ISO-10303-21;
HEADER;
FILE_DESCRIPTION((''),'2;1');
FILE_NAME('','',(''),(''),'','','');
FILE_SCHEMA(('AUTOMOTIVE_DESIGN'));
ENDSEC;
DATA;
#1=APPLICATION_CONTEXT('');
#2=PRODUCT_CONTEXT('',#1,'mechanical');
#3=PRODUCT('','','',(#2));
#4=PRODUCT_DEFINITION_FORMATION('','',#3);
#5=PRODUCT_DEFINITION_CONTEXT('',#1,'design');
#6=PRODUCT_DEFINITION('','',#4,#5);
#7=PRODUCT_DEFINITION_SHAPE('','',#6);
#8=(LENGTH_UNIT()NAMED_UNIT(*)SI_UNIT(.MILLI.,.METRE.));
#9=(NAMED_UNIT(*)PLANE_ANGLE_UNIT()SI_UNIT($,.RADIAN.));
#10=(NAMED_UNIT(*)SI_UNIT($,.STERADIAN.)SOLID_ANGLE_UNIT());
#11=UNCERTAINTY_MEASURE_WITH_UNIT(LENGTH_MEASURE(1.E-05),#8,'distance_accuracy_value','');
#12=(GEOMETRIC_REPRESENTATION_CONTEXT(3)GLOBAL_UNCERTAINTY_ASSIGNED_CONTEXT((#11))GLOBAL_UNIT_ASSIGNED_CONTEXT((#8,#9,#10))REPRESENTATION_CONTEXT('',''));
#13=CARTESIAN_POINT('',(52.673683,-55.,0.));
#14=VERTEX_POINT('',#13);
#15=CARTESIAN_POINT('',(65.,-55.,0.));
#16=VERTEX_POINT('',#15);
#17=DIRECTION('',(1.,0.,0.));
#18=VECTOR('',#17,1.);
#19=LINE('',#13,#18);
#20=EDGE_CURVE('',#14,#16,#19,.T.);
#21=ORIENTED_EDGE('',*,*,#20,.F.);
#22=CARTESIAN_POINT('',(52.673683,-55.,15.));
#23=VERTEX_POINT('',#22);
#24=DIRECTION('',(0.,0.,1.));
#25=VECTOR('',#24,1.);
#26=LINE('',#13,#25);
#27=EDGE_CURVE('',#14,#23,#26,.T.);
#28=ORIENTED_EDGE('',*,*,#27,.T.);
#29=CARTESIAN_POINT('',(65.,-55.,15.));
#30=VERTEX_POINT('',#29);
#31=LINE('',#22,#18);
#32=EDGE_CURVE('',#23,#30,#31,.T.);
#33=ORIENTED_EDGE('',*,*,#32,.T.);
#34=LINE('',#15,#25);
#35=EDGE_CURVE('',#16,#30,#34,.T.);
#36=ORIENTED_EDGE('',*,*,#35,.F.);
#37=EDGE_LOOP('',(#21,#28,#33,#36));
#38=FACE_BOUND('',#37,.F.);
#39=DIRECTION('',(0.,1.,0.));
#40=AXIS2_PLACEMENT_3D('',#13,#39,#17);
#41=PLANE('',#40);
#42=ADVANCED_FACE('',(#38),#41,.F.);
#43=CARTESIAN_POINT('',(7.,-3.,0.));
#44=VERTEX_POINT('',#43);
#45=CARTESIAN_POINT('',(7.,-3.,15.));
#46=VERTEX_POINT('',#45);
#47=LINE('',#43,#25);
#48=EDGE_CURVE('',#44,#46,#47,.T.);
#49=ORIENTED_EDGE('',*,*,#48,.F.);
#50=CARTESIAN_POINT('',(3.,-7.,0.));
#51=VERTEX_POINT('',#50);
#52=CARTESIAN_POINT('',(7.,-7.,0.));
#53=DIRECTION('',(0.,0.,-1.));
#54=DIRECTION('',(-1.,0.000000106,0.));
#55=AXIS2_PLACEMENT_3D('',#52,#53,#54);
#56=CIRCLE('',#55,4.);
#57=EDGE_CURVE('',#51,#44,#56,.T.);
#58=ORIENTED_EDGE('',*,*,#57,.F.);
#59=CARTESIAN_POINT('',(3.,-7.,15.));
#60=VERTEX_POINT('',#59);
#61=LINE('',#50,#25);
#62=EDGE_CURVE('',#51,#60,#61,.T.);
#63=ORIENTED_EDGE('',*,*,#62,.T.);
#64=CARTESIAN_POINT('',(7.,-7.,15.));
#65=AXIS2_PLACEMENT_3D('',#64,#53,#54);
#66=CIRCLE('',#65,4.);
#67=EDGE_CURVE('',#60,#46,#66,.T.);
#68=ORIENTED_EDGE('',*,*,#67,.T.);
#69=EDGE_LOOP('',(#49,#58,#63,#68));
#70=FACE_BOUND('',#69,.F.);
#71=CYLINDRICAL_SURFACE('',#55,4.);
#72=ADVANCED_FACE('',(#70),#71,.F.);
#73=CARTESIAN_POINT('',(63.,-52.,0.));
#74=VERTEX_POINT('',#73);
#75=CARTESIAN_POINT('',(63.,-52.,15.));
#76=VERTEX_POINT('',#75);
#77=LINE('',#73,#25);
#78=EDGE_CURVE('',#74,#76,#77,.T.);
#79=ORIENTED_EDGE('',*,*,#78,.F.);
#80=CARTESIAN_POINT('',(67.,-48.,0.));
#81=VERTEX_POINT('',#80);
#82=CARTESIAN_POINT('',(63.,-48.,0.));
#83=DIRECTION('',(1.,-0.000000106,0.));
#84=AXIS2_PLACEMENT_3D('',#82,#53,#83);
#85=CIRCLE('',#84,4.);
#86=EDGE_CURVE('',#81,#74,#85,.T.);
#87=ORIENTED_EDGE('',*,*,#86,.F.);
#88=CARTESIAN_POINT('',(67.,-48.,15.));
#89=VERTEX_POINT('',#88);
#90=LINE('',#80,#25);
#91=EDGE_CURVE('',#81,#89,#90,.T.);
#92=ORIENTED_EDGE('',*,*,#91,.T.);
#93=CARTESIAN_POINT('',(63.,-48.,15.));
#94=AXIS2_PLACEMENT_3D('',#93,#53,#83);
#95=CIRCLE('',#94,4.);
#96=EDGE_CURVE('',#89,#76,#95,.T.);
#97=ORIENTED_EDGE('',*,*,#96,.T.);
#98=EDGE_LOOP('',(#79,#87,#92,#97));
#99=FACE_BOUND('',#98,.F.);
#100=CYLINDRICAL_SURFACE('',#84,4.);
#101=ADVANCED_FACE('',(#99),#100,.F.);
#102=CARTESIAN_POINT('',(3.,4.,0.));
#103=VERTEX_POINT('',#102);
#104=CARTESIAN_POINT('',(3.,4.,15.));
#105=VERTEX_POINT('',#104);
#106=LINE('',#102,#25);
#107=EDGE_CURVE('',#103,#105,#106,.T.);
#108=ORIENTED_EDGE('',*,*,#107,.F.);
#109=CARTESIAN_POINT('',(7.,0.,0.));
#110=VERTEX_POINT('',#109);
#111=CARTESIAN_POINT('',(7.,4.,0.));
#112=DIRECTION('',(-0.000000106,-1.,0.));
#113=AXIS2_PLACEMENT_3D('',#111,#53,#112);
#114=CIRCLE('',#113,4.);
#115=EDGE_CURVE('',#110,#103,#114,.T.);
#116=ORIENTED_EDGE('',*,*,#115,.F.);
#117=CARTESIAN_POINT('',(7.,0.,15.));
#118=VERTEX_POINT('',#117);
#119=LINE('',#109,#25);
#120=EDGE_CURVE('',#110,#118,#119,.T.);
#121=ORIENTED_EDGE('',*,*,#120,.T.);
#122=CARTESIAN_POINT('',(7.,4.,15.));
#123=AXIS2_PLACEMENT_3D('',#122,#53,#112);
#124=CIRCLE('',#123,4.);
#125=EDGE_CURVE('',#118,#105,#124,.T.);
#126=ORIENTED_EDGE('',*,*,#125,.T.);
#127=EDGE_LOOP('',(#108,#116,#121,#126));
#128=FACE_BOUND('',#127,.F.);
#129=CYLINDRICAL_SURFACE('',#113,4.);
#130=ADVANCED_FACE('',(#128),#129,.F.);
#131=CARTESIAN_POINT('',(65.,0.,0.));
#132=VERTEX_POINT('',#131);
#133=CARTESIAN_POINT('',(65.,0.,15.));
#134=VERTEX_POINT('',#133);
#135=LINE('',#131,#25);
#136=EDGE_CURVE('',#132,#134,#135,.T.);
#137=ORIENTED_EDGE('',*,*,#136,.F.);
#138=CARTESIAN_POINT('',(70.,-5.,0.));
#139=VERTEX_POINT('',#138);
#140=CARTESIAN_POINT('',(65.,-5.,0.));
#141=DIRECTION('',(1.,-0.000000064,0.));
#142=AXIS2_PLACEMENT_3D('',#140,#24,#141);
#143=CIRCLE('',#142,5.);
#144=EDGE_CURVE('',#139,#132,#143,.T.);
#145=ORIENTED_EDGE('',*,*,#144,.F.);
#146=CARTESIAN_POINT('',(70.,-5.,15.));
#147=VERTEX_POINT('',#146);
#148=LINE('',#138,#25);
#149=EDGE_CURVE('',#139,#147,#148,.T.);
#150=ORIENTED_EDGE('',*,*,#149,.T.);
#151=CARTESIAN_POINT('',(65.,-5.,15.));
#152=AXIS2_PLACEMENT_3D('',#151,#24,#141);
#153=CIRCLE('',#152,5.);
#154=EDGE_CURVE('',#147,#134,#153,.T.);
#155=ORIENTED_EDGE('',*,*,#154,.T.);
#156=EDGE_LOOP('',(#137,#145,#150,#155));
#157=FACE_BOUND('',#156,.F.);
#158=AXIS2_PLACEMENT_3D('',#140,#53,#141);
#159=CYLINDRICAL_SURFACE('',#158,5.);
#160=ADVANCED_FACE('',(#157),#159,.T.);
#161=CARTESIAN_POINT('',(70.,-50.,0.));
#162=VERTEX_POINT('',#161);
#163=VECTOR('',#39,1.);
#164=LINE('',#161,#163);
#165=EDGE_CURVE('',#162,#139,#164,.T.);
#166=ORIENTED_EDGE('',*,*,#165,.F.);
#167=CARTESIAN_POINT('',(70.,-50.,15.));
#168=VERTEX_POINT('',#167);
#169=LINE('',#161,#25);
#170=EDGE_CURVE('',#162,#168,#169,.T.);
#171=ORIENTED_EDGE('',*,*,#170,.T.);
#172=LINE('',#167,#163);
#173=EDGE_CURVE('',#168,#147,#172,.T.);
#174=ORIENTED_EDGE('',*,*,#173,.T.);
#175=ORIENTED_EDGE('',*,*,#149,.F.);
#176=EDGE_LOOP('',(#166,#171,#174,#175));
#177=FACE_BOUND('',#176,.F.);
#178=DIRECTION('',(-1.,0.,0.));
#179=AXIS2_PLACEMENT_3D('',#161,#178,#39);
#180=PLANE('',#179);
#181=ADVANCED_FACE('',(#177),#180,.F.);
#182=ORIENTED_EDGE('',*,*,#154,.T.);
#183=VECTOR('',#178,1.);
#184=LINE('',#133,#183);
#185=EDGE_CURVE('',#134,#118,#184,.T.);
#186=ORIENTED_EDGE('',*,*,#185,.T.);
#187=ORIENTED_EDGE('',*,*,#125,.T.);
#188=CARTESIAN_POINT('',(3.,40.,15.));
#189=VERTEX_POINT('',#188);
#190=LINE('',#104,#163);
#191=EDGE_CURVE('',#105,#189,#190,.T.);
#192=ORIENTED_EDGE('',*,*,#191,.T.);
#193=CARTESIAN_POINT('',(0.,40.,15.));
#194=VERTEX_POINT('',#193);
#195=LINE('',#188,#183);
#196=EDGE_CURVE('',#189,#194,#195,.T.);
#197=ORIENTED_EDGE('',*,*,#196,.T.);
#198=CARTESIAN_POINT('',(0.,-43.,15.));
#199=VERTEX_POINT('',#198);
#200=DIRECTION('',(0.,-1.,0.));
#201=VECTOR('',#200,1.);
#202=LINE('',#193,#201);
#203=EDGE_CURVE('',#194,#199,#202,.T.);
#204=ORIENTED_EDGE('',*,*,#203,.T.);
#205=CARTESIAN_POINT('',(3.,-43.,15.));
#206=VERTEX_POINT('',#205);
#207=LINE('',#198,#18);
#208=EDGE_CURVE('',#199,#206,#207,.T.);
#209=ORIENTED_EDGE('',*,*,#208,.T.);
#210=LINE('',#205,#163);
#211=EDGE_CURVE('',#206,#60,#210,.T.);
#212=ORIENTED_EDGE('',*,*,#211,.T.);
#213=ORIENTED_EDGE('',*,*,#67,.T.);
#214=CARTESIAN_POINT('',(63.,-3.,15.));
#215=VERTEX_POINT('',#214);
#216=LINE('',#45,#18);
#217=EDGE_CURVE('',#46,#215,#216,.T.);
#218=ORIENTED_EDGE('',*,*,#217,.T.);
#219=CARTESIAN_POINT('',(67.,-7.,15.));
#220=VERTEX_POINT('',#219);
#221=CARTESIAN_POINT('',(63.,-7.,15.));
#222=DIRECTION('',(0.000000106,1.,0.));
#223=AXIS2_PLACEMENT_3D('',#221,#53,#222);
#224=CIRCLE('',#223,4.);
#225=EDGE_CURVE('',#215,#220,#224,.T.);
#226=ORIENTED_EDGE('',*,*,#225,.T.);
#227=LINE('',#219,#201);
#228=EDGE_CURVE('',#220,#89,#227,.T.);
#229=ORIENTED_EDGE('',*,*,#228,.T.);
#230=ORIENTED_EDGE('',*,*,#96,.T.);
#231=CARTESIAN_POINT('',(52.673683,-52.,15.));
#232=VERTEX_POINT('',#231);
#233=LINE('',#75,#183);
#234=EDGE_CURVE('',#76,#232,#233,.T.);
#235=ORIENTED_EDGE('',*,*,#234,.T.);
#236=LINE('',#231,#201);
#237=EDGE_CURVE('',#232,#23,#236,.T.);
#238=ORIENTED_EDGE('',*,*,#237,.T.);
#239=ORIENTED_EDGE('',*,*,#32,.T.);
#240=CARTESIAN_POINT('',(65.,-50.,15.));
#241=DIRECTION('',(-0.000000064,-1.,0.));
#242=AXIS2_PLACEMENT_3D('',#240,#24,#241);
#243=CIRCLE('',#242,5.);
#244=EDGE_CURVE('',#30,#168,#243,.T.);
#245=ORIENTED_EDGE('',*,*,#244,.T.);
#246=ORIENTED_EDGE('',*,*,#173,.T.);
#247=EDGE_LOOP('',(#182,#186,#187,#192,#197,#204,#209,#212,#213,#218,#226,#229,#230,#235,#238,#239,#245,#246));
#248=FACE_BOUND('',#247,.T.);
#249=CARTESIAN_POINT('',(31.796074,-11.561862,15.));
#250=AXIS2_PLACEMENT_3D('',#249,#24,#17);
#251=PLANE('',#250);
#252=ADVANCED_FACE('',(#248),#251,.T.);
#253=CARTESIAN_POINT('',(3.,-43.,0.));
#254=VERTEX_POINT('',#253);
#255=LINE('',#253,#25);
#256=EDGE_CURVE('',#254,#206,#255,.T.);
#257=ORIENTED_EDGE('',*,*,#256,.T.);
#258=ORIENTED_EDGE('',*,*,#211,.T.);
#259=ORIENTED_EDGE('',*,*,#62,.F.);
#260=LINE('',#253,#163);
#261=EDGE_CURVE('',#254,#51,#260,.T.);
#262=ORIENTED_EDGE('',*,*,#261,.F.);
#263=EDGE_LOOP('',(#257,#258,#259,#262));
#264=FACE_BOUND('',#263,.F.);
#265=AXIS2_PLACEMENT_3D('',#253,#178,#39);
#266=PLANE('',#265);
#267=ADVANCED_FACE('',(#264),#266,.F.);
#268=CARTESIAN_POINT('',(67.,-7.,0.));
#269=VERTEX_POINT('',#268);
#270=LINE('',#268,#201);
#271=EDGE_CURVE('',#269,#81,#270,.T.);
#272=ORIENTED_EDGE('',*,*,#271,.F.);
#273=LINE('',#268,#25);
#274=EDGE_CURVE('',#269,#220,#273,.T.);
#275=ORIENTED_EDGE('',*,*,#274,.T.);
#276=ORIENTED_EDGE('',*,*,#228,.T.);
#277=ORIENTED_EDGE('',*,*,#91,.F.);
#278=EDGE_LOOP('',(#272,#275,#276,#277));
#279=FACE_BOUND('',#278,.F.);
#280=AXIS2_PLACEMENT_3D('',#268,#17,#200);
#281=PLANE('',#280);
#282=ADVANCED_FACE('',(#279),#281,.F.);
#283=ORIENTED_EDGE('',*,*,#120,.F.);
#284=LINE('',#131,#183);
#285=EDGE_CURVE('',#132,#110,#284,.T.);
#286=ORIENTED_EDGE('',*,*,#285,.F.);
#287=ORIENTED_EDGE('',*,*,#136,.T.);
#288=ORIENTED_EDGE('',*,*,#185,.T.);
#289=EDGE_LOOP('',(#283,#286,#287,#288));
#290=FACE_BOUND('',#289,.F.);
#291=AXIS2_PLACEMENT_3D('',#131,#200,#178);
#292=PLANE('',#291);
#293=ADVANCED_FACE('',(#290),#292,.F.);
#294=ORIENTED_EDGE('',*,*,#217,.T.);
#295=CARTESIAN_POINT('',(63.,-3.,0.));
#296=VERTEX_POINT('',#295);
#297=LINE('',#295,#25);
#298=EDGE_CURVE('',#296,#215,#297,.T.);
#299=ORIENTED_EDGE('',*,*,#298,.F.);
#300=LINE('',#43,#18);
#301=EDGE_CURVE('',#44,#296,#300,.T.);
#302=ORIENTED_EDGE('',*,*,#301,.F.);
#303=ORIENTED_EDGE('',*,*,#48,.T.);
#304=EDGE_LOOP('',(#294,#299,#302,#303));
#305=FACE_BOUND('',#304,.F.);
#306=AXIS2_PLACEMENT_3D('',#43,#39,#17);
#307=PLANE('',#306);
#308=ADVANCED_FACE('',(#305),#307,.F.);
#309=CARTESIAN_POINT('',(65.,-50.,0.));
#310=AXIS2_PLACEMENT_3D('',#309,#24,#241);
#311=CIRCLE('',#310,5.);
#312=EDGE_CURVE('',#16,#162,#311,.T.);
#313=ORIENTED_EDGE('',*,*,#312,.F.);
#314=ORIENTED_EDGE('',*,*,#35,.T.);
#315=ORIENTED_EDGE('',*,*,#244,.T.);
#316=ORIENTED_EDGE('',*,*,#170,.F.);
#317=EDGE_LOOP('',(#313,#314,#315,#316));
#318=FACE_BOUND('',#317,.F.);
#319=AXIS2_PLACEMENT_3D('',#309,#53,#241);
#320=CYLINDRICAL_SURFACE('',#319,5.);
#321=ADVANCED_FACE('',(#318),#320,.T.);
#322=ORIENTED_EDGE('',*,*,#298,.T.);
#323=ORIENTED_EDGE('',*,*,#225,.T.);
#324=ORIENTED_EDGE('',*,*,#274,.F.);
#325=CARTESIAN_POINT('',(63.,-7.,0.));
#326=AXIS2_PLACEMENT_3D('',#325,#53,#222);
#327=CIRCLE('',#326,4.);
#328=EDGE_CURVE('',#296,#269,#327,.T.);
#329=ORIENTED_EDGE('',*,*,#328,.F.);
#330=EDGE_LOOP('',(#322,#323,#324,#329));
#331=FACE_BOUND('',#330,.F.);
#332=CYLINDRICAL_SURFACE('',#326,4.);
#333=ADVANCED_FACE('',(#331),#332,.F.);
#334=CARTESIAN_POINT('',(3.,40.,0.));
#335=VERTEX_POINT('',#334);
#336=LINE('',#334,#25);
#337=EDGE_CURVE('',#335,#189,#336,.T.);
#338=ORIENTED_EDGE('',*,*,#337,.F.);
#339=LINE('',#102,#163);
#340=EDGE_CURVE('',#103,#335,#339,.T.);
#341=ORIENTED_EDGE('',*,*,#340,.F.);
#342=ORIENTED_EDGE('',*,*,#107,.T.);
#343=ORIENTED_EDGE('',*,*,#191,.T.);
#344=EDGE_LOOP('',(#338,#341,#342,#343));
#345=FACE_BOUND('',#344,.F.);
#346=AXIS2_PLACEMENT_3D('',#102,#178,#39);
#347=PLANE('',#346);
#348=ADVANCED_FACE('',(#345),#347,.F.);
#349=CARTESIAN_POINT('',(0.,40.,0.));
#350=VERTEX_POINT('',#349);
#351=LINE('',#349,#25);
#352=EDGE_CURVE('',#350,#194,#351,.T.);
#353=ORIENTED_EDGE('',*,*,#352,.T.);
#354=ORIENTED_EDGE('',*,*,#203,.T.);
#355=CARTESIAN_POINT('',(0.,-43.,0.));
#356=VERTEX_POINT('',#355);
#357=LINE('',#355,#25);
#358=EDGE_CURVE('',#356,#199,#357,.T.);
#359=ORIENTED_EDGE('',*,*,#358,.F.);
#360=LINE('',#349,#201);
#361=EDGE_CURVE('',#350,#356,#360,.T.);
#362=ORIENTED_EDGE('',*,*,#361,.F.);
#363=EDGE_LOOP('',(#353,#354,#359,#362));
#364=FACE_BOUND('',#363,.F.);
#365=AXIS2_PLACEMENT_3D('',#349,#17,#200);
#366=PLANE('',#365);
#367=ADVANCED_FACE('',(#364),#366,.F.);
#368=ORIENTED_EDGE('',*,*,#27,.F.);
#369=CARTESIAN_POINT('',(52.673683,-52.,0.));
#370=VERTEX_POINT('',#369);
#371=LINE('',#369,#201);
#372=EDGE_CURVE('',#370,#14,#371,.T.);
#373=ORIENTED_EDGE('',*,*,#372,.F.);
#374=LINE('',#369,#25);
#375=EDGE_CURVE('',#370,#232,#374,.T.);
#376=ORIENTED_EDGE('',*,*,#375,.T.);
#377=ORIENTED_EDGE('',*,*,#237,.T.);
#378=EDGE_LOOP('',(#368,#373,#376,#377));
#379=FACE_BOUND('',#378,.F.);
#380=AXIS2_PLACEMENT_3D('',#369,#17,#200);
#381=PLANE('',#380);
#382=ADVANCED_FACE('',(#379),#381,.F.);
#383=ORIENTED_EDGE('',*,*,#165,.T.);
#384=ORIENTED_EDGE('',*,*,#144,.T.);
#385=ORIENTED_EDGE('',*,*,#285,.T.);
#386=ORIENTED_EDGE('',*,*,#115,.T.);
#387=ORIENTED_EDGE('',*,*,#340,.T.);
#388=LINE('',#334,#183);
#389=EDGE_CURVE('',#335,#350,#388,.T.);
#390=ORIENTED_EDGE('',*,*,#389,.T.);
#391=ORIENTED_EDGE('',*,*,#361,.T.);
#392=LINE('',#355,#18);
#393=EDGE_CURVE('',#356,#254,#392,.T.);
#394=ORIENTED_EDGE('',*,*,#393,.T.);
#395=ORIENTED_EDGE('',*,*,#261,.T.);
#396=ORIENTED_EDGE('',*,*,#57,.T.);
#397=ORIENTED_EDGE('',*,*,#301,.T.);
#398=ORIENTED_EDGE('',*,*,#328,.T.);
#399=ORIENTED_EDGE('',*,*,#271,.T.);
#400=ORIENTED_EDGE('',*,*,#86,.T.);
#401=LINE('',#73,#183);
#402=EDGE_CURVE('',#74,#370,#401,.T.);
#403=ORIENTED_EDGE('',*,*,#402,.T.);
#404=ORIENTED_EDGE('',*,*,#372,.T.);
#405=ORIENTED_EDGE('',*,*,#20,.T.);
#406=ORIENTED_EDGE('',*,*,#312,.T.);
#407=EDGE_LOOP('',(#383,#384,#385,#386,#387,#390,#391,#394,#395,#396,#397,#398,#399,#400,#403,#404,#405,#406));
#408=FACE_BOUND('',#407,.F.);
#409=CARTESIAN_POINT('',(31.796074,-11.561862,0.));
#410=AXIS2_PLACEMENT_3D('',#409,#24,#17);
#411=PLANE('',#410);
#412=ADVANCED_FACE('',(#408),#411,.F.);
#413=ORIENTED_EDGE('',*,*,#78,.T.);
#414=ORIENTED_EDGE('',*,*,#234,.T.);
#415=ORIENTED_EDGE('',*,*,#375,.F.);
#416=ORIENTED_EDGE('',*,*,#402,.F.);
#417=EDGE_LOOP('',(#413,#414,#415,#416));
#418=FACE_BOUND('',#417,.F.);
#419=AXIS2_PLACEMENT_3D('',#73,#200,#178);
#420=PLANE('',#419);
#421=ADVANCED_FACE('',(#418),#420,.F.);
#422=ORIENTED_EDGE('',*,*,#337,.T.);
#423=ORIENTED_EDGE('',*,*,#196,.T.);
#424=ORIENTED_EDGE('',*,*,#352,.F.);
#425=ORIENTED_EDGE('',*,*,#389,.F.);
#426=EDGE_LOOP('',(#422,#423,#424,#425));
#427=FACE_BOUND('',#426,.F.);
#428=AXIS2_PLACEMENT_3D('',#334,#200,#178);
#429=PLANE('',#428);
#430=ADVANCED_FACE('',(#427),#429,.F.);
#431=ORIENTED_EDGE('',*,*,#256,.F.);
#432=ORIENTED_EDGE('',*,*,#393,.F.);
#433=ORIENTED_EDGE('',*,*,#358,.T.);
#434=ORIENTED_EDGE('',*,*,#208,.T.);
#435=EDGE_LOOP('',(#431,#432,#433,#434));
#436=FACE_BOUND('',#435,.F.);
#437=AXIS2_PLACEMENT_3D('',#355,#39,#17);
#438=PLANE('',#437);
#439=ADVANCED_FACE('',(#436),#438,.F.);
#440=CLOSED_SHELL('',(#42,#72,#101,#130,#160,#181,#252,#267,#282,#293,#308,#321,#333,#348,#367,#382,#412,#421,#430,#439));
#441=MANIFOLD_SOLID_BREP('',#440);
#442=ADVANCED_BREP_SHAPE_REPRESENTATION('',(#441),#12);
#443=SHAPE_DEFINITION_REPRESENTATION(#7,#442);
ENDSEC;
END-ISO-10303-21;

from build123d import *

# Parameters (mm, degrees)
F1_DEPTH = 15


with BuildPart() as f1:
    # F0 (on Top) → F1 (new body)
    with BuildSketch(Plane.XY):
        with BuildLine():
            Line((0, 40), (0, -43))
            Line((0, -43), (3, -43))
            Line((3, -43), (3, -7))
            ThreePointArc((3, -7), (4.171573, -4.171573), (7, -3))
            Line((7, -3), (63, -3))
            ThreePointArc((63, -3), (65.828427, -4.171573), (67, -7))
            Line((67, -7), (67, -48))
            ThreePointArc((67, -48), (65.828427, -50.828427), (63, -52))
            Line((63, -52), (52.673683, -52))
            Line((52.673683, -52), (52.673683, -55))
            Line((52.673683, -55), (65, -55))
            ThreePointArc((65, -55), (68.535534, -53.535534), (70, -50))
            Line((70, -50), (70, -5))
            ThreePointArc((70, -5), (68.535534, -1.464466), (65, 0))
            Line((65, 0), (7, 0))
            ThreePointArc((7, 0), (4.171573, 1.171573), (3, 4))
            Line((3, 4), (3, 40))
            Line((3, 40), (0, 40))
        make_face()
    extrude(amount=F1_DEPTH)


solid = f1.part
